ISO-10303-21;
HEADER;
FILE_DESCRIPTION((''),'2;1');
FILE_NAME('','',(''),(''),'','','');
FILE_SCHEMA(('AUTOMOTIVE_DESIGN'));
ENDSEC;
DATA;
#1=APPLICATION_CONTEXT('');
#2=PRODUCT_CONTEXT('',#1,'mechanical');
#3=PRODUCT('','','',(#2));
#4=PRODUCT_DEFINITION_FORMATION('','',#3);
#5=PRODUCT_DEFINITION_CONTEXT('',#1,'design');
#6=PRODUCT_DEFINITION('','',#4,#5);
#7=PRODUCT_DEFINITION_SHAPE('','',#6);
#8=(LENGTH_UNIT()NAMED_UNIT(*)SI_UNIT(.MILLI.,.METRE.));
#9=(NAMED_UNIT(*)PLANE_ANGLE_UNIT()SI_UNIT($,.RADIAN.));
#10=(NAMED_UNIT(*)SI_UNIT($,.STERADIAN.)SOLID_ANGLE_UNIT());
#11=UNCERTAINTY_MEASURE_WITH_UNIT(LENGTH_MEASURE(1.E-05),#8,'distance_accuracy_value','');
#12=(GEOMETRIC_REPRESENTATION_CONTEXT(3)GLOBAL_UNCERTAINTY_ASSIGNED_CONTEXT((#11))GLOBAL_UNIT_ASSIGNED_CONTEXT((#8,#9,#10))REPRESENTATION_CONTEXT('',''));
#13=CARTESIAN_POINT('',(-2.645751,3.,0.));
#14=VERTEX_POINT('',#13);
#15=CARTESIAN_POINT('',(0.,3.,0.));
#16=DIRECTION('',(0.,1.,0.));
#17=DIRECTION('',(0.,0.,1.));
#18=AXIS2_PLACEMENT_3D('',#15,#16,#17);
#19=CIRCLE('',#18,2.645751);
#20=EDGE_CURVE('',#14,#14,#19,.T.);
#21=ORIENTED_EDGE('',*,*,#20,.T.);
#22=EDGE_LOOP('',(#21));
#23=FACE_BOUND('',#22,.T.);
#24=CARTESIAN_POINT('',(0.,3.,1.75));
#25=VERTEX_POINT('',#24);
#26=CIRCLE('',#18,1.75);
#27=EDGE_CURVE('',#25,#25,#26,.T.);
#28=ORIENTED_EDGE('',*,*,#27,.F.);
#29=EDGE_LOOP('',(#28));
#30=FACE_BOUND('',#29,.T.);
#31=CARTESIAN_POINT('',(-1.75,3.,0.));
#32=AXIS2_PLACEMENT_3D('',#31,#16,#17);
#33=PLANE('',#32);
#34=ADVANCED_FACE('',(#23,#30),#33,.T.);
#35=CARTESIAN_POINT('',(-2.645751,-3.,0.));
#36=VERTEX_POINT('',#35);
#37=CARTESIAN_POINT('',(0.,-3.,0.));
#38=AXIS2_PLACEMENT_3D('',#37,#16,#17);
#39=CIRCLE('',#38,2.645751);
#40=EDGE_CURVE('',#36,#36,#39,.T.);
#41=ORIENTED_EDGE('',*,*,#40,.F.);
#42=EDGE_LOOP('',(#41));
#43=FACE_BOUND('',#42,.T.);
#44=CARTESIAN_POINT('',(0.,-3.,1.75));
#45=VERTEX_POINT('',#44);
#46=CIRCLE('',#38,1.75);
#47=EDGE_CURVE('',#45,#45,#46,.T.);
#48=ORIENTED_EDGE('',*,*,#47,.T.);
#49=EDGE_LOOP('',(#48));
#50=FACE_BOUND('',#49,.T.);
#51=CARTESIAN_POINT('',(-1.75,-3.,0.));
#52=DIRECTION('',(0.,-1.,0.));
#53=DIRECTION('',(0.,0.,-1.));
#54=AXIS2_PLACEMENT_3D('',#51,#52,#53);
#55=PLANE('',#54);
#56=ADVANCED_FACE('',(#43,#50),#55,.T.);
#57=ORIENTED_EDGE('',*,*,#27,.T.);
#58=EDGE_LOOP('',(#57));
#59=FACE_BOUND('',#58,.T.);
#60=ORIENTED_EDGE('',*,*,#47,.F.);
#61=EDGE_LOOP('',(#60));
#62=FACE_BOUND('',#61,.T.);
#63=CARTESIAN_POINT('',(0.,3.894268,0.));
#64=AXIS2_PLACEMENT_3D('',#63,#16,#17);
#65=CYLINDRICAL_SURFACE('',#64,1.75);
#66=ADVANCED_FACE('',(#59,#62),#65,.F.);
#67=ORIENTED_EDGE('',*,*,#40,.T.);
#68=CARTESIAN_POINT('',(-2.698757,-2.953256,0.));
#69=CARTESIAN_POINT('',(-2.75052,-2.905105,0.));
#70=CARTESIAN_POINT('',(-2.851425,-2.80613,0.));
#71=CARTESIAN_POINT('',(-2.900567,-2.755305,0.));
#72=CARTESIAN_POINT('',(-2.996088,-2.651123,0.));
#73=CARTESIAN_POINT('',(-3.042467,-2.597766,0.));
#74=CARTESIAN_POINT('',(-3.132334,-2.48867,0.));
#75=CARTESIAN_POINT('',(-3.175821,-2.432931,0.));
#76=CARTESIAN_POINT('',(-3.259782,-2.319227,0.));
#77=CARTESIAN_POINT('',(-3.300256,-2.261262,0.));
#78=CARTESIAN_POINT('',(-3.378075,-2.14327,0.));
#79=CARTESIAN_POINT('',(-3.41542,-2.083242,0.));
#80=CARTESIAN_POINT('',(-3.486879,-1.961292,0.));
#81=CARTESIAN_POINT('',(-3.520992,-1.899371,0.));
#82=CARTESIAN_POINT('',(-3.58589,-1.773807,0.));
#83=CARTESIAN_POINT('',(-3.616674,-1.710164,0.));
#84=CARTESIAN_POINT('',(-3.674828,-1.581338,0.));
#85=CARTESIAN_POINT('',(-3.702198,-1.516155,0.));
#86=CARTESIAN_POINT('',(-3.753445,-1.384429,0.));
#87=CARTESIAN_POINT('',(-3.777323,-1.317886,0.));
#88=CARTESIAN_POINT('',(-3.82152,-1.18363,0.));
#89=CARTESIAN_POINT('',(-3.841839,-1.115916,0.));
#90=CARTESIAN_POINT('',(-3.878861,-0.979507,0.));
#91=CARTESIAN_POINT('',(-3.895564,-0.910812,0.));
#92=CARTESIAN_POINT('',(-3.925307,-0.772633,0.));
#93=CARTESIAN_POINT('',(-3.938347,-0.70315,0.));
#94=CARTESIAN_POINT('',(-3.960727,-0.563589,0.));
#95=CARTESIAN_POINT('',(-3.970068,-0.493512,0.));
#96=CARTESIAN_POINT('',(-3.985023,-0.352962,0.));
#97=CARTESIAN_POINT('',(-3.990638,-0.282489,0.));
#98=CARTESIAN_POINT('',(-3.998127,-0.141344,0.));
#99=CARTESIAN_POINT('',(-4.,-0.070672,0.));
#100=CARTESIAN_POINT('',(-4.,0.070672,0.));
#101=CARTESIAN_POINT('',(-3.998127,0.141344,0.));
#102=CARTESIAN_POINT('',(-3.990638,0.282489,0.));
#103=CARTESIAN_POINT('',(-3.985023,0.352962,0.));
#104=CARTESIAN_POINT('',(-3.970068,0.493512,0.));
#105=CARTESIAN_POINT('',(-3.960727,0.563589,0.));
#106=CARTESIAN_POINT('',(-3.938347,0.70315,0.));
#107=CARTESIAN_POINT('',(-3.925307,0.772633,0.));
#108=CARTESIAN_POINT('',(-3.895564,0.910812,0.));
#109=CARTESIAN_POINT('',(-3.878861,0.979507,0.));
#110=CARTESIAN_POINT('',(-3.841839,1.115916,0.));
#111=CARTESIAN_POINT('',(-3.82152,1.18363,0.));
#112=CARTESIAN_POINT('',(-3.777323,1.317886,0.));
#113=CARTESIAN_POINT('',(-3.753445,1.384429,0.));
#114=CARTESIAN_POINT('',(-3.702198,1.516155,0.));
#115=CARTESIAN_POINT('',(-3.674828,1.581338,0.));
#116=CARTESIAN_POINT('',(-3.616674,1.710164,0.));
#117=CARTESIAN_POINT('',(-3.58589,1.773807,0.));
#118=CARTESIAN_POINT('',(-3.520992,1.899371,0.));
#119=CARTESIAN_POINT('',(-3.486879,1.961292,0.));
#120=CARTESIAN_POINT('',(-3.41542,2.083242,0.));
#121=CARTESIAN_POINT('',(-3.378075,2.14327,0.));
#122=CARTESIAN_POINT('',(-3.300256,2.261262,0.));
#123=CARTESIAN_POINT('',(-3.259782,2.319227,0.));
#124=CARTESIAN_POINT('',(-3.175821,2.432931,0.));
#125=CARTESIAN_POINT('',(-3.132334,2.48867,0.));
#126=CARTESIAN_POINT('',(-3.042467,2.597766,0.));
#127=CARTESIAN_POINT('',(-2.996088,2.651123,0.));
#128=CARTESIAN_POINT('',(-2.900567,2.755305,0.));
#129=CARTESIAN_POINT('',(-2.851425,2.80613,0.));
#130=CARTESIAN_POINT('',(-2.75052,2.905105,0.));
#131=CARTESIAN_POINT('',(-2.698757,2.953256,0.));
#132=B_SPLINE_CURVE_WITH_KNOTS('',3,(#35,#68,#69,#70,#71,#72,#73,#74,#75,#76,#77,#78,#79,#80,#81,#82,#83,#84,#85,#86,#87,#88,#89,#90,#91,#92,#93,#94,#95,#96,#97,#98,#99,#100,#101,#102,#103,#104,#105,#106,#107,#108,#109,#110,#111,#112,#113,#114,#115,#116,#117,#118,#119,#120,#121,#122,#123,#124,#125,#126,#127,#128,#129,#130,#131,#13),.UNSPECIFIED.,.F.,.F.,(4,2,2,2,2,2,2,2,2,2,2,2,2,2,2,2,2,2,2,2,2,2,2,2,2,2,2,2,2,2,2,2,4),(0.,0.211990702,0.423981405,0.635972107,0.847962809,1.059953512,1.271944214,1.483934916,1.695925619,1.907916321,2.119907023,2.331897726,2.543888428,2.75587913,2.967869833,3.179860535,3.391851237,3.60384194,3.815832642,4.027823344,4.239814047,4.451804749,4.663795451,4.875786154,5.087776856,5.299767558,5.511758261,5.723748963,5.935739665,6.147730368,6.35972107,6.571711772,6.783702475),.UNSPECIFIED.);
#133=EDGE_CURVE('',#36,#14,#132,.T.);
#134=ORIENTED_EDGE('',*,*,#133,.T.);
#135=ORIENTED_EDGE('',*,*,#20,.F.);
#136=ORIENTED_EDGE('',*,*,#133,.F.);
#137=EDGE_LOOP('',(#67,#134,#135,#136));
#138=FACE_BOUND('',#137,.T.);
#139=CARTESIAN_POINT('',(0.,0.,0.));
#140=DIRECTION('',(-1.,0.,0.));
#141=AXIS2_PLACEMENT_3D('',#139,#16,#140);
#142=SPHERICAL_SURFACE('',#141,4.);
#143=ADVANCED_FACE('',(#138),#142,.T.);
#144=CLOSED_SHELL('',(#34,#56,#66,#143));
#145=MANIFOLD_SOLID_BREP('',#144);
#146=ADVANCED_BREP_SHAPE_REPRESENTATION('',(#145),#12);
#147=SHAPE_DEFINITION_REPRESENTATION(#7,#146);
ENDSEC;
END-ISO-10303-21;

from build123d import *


with BuildPart() as part:
    # Esquisse1 → Révolution1 (revolve)
    with BuildSketch(Plane.XY):
        with BuildLine():
            Line((-1.75, 3), (-1.75, -3))
            Line((-1.75, -3), (-2.645751311, -3))
            ThreePointArc((-2.645751311, -3), (-4, 0), (-2.645751311, 3))
            Line((-2.645751311, 3), (-1.75, 3))
        make_face()
    revolve(axis=Axis((0, 3.894268411, 0), (0, -1, 0)))


solid = part.part
